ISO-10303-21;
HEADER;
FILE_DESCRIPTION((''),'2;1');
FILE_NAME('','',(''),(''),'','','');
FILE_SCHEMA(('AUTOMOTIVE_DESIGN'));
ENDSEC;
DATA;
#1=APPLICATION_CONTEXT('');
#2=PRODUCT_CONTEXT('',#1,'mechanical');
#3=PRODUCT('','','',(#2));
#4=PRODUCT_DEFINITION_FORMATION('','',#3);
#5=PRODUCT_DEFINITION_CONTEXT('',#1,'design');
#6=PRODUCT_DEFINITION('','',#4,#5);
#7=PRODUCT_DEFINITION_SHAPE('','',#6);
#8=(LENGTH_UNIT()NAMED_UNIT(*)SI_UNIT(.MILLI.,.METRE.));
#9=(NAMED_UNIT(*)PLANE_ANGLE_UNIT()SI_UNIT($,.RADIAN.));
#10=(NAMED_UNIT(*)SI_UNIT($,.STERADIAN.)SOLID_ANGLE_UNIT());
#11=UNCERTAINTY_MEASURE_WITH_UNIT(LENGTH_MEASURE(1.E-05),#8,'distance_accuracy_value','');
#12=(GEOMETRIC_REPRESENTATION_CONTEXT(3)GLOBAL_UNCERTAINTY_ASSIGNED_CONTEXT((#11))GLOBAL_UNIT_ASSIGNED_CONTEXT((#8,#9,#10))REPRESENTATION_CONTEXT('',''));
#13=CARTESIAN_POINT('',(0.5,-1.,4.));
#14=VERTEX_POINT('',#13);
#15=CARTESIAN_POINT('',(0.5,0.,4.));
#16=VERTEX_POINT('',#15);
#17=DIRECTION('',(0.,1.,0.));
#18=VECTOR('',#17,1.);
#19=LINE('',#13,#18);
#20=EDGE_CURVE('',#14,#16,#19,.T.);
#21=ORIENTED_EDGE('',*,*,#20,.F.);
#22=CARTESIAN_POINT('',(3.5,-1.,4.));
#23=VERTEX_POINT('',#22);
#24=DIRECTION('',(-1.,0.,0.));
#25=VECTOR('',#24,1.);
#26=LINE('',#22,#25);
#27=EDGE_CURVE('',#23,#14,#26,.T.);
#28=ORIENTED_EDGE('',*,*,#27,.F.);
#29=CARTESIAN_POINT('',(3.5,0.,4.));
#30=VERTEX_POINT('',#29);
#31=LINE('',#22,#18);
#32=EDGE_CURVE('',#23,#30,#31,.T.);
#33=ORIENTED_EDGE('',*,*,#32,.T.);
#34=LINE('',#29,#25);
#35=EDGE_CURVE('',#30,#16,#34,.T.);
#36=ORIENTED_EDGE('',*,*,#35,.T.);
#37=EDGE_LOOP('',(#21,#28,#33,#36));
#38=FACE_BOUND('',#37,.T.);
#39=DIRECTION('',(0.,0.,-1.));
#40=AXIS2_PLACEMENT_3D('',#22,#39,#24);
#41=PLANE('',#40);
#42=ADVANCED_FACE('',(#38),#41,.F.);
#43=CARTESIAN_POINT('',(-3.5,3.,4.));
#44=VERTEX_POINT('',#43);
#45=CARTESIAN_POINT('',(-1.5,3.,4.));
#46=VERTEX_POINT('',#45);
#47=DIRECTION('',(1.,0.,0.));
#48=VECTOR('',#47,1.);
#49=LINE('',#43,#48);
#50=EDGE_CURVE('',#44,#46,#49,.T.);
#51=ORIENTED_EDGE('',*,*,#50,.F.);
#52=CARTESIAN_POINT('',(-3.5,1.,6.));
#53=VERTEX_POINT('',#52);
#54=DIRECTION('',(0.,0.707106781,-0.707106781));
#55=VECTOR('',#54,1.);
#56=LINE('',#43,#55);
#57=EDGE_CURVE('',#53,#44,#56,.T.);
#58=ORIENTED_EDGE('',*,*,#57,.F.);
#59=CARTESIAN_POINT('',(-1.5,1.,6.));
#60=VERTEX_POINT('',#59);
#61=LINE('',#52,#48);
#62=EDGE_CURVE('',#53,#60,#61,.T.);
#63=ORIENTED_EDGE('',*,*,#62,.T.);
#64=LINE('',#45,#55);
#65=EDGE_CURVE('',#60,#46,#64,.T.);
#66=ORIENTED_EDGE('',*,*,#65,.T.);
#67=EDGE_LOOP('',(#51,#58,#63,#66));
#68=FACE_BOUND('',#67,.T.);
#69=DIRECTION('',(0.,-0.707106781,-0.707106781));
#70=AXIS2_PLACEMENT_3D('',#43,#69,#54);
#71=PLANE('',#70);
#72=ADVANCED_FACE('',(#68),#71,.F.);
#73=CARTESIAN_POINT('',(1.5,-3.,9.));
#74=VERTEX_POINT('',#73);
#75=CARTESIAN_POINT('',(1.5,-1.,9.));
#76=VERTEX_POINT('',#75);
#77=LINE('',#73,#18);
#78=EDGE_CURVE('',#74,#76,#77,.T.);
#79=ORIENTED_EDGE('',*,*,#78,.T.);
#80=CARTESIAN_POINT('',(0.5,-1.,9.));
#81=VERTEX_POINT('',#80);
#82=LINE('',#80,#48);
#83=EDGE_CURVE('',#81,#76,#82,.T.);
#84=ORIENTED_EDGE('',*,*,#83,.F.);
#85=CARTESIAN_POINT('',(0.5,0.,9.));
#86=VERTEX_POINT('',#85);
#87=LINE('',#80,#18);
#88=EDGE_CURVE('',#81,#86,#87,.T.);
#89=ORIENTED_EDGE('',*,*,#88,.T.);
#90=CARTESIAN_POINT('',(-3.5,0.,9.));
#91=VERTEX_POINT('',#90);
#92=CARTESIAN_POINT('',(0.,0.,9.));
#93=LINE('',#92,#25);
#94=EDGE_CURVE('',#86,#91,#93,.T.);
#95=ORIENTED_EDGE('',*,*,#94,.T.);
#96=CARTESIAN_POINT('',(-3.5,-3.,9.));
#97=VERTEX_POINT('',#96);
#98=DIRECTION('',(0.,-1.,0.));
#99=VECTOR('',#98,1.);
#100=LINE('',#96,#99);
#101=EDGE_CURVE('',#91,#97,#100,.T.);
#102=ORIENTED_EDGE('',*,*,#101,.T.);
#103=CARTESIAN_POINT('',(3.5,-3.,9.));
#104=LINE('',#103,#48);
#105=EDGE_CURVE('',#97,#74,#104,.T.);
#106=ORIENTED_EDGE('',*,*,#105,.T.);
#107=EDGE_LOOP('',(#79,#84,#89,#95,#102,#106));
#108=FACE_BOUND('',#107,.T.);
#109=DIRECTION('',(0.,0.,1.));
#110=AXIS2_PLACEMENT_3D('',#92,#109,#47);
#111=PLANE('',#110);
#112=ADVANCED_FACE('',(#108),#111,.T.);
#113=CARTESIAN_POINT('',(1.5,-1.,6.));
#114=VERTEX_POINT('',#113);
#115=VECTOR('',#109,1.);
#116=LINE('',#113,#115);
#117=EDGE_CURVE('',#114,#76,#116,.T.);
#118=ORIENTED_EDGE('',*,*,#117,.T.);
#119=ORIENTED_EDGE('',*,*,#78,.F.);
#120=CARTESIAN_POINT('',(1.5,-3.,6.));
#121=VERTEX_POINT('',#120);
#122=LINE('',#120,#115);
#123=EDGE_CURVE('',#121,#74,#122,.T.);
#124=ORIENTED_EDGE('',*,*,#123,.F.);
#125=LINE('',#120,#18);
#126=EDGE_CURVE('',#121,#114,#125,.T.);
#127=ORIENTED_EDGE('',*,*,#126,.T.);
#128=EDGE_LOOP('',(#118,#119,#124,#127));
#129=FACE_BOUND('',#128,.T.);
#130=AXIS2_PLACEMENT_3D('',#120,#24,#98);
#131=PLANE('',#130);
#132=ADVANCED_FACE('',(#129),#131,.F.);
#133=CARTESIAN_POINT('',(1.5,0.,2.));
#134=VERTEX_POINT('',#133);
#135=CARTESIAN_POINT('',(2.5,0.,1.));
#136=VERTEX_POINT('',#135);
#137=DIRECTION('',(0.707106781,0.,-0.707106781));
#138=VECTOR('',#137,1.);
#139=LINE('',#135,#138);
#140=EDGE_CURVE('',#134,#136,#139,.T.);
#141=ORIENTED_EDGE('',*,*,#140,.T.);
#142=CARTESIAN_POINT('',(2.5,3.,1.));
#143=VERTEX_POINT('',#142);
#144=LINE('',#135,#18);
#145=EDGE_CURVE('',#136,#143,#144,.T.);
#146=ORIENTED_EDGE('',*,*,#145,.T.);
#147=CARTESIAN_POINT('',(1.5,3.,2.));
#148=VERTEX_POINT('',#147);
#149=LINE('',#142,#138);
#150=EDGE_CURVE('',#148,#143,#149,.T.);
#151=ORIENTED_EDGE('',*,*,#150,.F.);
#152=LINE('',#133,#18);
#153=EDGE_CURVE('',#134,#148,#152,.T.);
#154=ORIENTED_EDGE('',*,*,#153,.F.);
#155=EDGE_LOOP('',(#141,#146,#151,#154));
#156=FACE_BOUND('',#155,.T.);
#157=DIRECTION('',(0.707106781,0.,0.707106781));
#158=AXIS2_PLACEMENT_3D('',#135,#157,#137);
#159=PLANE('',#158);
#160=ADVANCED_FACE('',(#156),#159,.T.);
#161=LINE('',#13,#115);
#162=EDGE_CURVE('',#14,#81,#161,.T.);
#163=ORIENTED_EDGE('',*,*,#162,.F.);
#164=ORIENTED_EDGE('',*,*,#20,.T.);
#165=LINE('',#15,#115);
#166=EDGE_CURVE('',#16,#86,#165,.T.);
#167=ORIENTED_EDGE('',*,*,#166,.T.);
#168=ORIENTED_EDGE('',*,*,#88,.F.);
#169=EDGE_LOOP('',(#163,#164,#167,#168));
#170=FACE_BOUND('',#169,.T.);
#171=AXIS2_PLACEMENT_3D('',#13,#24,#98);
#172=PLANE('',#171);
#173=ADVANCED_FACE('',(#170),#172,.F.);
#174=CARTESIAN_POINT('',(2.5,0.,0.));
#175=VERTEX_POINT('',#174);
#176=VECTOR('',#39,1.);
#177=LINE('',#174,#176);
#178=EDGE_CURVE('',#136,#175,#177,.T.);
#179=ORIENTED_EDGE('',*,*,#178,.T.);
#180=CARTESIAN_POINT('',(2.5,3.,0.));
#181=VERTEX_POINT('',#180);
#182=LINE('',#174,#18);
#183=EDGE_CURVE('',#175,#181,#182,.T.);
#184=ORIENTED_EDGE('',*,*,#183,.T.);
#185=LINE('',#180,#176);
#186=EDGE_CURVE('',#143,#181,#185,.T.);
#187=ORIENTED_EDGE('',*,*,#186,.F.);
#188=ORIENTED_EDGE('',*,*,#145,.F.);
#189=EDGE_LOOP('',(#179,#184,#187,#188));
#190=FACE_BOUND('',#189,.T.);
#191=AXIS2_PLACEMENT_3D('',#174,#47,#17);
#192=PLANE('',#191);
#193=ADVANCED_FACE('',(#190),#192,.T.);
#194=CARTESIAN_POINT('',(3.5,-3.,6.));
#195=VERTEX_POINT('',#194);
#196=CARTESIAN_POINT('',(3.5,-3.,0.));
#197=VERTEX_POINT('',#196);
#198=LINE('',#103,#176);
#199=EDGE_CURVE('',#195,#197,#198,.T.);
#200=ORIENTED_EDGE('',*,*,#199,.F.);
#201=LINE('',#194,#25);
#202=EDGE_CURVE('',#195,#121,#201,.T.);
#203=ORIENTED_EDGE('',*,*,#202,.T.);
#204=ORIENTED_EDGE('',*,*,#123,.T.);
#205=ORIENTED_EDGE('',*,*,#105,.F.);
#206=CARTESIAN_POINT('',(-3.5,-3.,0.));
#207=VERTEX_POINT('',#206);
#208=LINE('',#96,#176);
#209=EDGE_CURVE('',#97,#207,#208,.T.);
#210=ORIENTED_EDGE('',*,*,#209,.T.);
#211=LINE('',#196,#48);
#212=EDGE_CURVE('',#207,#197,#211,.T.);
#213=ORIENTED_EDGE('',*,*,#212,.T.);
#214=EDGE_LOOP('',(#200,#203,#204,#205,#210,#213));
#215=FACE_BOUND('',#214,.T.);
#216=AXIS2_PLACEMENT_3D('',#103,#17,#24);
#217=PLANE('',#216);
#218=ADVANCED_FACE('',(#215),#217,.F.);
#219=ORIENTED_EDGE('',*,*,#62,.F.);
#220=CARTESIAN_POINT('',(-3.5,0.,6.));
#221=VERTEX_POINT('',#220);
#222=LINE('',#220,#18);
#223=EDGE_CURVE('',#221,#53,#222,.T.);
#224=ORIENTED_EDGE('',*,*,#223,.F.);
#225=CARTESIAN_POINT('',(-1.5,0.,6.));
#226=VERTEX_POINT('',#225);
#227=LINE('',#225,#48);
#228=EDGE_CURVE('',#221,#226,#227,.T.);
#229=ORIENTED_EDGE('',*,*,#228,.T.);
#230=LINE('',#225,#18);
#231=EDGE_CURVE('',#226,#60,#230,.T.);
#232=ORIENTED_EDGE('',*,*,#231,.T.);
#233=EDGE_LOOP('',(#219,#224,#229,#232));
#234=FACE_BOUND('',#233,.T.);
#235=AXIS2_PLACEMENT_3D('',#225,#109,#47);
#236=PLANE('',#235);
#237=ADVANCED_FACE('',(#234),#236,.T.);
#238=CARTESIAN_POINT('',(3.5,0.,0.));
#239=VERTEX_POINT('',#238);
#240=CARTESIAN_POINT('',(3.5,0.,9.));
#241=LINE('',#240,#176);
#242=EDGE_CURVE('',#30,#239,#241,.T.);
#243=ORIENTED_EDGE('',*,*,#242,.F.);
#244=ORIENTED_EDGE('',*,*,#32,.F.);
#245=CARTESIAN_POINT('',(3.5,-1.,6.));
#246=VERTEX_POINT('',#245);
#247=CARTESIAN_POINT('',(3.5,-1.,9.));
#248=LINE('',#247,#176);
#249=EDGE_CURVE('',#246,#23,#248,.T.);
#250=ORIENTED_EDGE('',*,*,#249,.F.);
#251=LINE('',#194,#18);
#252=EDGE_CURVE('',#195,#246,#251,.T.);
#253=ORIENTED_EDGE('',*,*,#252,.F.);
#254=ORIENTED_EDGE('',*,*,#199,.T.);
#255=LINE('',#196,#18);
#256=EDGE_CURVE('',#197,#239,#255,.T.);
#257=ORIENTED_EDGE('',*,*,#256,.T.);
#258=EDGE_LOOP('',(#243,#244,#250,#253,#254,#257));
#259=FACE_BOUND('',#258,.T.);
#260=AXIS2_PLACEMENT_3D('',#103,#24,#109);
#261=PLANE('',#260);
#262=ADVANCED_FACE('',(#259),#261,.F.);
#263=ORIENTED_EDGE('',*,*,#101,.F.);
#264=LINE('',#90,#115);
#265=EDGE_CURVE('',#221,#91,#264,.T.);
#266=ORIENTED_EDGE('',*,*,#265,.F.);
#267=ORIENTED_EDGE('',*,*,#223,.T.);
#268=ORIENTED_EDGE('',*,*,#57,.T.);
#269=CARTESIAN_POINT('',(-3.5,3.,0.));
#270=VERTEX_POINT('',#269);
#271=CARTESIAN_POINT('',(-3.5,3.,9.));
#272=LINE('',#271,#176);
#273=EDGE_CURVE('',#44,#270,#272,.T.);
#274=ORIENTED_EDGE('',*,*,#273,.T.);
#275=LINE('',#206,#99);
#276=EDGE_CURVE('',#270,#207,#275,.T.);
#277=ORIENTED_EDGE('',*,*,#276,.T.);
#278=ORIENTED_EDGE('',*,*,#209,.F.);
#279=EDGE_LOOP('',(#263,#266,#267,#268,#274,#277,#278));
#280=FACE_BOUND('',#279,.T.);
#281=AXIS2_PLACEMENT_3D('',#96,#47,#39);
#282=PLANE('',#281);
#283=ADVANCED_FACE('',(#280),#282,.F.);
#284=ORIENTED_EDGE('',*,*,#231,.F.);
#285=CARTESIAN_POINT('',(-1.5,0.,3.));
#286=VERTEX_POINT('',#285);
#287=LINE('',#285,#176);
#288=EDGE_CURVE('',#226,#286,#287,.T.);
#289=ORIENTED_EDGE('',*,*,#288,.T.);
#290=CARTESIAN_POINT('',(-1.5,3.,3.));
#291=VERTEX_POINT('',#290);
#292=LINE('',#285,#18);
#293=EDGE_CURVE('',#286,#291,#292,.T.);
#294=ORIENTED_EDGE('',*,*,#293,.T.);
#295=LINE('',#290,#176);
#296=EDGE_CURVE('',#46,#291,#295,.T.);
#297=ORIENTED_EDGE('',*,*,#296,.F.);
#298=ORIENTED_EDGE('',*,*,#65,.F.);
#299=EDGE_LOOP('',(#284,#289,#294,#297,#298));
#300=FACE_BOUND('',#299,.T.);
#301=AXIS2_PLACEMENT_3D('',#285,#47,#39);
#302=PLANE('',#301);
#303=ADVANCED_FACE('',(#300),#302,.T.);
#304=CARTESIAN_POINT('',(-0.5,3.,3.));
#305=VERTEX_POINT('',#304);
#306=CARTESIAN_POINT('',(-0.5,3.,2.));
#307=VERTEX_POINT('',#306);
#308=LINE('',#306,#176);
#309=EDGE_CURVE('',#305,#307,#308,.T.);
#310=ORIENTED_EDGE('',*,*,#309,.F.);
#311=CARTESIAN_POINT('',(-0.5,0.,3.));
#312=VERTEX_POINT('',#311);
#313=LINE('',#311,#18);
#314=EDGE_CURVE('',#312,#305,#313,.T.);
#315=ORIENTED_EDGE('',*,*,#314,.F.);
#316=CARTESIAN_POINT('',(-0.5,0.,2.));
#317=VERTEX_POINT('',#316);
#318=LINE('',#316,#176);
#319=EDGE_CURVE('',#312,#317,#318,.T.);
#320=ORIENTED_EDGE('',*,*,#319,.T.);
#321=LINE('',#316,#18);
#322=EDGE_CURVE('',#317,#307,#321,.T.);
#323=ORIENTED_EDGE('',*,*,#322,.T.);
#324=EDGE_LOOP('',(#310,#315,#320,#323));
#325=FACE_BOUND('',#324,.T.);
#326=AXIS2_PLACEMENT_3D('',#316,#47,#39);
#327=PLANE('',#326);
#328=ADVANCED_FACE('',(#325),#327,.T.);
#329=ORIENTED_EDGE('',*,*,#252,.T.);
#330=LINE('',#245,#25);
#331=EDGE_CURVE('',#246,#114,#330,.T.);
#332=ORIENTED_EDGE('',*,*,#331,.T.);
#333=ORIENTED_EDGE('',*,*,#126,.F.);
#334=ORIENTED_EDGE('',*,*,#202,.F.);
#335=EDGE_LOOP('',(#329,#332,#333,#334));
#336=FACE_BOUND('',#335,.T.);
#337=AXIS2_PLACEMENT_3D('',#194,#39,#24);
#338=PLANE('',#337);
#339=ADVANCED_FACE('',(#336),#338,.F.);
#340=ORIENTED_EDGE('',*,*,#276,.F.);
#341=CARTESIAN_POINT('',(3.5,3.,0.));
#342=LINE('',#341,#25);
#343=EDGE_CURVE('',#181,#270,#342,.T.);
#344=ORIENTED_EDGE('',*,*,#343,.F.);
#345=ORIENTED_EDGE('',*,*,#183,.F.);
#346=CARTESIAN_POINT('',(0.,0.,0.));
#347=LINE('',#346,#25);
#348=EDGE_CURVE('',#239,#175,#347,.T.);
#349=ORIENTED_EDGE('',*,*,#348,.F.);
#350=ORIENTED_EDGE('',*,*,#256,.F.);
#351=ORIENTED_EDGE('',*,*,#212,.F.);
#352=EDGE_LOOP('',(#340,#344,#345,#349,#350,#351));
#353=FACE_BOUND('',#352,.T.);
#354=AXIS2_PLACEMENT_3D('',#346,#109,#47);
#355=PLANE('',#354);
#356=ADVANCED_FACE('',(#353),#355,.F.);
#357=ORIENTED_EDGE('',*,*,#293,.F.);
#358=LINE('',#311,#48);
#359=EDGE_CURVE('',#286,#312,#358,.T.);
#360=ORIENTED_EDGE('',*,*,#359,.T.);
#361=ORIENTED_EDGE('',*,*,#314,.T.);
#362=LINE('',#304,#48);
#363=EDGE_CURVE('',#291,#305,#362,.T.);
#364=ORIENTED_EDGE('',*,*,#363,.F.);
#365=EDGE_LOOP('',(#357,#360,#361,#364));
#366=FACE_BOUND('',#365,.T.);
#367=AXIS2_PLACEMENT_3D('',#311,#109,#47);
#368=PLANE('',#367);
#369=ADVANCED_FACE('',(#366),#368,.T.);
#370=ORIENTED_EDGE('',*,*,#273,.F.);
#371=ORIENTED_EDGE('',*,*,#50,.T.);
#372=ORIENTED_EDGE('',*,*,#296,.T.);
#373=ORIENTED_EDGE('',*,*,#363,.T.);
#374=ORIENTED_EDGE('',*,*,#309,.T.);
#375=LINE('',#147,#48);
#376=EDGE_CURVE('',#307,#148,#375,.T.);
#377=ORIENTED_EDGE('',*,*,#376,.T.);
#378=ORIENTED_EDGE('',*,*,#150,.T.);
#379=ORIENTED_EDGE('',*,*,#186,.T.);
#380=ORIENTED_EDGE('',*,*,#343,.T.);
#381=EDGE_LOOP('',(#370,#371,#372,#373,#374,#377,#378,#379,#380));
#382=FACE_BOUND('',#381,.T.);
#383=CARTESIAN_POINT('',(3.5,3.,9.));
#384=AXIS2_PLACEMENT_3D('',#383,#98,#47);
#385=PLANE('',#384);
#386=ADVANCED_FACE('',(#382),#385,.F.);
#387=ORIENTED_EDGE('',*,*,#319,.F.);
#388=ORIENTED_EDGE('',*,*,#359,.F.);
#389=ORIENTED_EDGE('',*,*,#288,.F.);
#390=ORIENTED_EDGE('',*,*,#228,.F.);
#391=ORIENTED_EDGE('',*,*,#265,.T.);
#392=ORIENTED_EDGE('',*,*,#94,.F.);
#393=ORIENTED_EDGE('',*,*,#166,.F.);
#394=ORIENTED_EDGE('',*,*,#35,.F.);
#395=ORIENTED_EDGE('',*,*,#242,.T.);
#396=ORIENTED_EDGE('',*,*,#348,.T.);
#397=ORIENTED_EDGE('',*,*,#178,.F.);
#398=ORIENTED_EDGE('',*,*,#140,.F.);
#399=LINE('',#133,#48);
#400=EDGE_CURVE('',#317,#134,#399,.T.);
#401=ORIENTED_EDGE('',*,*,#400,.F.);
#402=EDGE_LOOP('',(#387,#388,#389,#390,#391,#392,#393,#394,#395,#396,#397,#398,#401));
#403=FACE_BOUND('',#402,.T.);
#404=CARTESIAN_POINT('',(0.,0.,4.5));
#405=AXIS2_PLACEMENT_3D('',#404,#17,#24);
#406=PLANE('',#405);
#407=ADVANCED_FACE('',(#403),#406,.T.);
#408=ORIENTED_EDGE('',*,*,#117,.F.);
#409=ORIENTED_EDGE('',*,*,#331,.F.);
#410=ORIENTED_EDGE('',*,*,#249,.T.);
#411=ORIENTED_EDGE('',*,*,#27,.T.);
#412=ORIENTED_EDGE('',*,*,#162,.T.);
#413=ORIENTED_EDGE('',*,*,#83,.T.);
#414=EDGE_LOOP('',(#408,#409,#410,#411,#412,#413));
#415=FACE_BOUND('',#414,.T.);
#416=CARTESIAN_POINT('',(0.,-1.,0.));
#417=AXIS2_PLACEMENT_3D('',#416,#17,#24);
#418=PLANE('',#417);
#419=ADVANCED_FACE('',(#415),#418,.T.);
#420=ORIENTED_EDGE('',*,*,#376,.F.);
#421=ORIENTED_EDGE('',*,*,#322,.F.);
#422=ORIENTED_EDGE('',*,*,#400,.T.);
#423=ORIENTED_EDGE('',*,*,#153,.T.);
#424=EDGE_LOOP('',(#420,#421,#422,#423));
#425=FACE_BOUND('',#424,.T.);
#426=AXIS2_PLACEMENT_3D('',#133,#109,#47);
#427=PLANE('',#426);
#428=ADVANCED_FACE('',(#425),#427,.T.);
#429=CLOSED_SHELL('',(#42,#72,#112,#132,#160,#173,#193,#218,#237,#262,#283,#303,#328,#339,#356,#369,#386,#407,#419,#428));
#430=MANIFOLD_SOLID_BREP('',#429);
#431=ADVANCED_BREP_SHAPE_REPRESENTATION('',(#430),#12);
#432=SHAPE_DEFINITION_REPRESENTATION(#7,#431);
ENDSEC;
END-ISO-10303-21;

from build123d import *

# Parameters (mm, degrees)
SKETCH1_W           = 7
SKETCH1_H           = 6
BOSS_EXTRUDE1_DEPTH = 9
SKETCH2_OUTSIDE_W   = 11.576
SKETCH2_OUTSIDE_H   = 13.576
CUT_EXTRUDE1_DEPTH  = 3
SKETCH3_W           = 3
SKETCH3_H           = 5
CUT_EXTRUDE2_DEPTH  = 1
SKETCH4_W           = 2
SKETCH4_H           = 3
CUT_EXTRUDE3_DEPTH  = 2
CUT_EXTRUDE4_DEPTH  = 2


with BuildPart() as part:
    # Sketch1 → Boss-Extrude1 (new body)
    with BuildSketch(Plane.XY):
        Rectangle(SKETCH1_W, SKETCH1_H)
    extrude(amount=BOSS_EXTRUDE1_DEPTH)

    # Sketch2 outside → Cut-Extrude1 (cut)
    with BuildSketch(Plane(origin=(0, 3, 0), x_dir=(1, 0, 0), z_dir=(0, 1, 0))):
        with Locations((0, -4.5)):
            Rectangle(SKETCH2_OUTSIDE_W, SKETCH2_OUTSIDE_H)
        Polygon((2.5, 0), (2.5, -1), (1.5, -2), (-0.5, -2), (-0.5, -3), (-1.5, -3), (-1.5, -6), (-3.5, -6), (-3.5, 0), align=None, mode=Mode.SUBTRACT)
    extrude(amount=-CUT_EXTRUDE1_DEPTH, mode=Mode.SUBTRACT)

    # Sketch3 → Cut-Extrude2 (cut)
    with BuildSketch(Plane(origin=(0, 0, 0), x_dir=(1, 0, 0), z_dir=(0, 1, 0))):
        with Locations((2, -6.5)):
            Rectangle(SKETCH3_W, SKETCH3_H)
    extrude(amount=-CUT_EXTRUDE2_DEPTH, mode=Mode.SUBTRACT)

    # Sketch4 → Cut-Extrude3 (cut)
    with BuildSketch(Plane(origin=(0, -1, 0), x_dir=(1, 0, 0), z_dir=(0, 1, 0))):
        with Locations((2.5, -7.5)):
            Rectangle(SKETCH4_W, SKETCH4_H)
    extrude(amount=-CUT_EXTRUDE3_DEPTH, mode=Mode.SUBTRACT)

    # Sketch5 → Cut-Extrude4 (cut)
    with BuildSketch(Plane(origin=(-1.5, 0, 0), x_dir=(0, 0, -1), z_dir=(1, 0, 0))):
        Polygon((-4, 3), (-6, 1), (-6, 3), align=None)
    extrude(amount=-CUT_EXTRUDE4_DEPTH, mode=Mode.SUBTRACT)


solid = part.part
